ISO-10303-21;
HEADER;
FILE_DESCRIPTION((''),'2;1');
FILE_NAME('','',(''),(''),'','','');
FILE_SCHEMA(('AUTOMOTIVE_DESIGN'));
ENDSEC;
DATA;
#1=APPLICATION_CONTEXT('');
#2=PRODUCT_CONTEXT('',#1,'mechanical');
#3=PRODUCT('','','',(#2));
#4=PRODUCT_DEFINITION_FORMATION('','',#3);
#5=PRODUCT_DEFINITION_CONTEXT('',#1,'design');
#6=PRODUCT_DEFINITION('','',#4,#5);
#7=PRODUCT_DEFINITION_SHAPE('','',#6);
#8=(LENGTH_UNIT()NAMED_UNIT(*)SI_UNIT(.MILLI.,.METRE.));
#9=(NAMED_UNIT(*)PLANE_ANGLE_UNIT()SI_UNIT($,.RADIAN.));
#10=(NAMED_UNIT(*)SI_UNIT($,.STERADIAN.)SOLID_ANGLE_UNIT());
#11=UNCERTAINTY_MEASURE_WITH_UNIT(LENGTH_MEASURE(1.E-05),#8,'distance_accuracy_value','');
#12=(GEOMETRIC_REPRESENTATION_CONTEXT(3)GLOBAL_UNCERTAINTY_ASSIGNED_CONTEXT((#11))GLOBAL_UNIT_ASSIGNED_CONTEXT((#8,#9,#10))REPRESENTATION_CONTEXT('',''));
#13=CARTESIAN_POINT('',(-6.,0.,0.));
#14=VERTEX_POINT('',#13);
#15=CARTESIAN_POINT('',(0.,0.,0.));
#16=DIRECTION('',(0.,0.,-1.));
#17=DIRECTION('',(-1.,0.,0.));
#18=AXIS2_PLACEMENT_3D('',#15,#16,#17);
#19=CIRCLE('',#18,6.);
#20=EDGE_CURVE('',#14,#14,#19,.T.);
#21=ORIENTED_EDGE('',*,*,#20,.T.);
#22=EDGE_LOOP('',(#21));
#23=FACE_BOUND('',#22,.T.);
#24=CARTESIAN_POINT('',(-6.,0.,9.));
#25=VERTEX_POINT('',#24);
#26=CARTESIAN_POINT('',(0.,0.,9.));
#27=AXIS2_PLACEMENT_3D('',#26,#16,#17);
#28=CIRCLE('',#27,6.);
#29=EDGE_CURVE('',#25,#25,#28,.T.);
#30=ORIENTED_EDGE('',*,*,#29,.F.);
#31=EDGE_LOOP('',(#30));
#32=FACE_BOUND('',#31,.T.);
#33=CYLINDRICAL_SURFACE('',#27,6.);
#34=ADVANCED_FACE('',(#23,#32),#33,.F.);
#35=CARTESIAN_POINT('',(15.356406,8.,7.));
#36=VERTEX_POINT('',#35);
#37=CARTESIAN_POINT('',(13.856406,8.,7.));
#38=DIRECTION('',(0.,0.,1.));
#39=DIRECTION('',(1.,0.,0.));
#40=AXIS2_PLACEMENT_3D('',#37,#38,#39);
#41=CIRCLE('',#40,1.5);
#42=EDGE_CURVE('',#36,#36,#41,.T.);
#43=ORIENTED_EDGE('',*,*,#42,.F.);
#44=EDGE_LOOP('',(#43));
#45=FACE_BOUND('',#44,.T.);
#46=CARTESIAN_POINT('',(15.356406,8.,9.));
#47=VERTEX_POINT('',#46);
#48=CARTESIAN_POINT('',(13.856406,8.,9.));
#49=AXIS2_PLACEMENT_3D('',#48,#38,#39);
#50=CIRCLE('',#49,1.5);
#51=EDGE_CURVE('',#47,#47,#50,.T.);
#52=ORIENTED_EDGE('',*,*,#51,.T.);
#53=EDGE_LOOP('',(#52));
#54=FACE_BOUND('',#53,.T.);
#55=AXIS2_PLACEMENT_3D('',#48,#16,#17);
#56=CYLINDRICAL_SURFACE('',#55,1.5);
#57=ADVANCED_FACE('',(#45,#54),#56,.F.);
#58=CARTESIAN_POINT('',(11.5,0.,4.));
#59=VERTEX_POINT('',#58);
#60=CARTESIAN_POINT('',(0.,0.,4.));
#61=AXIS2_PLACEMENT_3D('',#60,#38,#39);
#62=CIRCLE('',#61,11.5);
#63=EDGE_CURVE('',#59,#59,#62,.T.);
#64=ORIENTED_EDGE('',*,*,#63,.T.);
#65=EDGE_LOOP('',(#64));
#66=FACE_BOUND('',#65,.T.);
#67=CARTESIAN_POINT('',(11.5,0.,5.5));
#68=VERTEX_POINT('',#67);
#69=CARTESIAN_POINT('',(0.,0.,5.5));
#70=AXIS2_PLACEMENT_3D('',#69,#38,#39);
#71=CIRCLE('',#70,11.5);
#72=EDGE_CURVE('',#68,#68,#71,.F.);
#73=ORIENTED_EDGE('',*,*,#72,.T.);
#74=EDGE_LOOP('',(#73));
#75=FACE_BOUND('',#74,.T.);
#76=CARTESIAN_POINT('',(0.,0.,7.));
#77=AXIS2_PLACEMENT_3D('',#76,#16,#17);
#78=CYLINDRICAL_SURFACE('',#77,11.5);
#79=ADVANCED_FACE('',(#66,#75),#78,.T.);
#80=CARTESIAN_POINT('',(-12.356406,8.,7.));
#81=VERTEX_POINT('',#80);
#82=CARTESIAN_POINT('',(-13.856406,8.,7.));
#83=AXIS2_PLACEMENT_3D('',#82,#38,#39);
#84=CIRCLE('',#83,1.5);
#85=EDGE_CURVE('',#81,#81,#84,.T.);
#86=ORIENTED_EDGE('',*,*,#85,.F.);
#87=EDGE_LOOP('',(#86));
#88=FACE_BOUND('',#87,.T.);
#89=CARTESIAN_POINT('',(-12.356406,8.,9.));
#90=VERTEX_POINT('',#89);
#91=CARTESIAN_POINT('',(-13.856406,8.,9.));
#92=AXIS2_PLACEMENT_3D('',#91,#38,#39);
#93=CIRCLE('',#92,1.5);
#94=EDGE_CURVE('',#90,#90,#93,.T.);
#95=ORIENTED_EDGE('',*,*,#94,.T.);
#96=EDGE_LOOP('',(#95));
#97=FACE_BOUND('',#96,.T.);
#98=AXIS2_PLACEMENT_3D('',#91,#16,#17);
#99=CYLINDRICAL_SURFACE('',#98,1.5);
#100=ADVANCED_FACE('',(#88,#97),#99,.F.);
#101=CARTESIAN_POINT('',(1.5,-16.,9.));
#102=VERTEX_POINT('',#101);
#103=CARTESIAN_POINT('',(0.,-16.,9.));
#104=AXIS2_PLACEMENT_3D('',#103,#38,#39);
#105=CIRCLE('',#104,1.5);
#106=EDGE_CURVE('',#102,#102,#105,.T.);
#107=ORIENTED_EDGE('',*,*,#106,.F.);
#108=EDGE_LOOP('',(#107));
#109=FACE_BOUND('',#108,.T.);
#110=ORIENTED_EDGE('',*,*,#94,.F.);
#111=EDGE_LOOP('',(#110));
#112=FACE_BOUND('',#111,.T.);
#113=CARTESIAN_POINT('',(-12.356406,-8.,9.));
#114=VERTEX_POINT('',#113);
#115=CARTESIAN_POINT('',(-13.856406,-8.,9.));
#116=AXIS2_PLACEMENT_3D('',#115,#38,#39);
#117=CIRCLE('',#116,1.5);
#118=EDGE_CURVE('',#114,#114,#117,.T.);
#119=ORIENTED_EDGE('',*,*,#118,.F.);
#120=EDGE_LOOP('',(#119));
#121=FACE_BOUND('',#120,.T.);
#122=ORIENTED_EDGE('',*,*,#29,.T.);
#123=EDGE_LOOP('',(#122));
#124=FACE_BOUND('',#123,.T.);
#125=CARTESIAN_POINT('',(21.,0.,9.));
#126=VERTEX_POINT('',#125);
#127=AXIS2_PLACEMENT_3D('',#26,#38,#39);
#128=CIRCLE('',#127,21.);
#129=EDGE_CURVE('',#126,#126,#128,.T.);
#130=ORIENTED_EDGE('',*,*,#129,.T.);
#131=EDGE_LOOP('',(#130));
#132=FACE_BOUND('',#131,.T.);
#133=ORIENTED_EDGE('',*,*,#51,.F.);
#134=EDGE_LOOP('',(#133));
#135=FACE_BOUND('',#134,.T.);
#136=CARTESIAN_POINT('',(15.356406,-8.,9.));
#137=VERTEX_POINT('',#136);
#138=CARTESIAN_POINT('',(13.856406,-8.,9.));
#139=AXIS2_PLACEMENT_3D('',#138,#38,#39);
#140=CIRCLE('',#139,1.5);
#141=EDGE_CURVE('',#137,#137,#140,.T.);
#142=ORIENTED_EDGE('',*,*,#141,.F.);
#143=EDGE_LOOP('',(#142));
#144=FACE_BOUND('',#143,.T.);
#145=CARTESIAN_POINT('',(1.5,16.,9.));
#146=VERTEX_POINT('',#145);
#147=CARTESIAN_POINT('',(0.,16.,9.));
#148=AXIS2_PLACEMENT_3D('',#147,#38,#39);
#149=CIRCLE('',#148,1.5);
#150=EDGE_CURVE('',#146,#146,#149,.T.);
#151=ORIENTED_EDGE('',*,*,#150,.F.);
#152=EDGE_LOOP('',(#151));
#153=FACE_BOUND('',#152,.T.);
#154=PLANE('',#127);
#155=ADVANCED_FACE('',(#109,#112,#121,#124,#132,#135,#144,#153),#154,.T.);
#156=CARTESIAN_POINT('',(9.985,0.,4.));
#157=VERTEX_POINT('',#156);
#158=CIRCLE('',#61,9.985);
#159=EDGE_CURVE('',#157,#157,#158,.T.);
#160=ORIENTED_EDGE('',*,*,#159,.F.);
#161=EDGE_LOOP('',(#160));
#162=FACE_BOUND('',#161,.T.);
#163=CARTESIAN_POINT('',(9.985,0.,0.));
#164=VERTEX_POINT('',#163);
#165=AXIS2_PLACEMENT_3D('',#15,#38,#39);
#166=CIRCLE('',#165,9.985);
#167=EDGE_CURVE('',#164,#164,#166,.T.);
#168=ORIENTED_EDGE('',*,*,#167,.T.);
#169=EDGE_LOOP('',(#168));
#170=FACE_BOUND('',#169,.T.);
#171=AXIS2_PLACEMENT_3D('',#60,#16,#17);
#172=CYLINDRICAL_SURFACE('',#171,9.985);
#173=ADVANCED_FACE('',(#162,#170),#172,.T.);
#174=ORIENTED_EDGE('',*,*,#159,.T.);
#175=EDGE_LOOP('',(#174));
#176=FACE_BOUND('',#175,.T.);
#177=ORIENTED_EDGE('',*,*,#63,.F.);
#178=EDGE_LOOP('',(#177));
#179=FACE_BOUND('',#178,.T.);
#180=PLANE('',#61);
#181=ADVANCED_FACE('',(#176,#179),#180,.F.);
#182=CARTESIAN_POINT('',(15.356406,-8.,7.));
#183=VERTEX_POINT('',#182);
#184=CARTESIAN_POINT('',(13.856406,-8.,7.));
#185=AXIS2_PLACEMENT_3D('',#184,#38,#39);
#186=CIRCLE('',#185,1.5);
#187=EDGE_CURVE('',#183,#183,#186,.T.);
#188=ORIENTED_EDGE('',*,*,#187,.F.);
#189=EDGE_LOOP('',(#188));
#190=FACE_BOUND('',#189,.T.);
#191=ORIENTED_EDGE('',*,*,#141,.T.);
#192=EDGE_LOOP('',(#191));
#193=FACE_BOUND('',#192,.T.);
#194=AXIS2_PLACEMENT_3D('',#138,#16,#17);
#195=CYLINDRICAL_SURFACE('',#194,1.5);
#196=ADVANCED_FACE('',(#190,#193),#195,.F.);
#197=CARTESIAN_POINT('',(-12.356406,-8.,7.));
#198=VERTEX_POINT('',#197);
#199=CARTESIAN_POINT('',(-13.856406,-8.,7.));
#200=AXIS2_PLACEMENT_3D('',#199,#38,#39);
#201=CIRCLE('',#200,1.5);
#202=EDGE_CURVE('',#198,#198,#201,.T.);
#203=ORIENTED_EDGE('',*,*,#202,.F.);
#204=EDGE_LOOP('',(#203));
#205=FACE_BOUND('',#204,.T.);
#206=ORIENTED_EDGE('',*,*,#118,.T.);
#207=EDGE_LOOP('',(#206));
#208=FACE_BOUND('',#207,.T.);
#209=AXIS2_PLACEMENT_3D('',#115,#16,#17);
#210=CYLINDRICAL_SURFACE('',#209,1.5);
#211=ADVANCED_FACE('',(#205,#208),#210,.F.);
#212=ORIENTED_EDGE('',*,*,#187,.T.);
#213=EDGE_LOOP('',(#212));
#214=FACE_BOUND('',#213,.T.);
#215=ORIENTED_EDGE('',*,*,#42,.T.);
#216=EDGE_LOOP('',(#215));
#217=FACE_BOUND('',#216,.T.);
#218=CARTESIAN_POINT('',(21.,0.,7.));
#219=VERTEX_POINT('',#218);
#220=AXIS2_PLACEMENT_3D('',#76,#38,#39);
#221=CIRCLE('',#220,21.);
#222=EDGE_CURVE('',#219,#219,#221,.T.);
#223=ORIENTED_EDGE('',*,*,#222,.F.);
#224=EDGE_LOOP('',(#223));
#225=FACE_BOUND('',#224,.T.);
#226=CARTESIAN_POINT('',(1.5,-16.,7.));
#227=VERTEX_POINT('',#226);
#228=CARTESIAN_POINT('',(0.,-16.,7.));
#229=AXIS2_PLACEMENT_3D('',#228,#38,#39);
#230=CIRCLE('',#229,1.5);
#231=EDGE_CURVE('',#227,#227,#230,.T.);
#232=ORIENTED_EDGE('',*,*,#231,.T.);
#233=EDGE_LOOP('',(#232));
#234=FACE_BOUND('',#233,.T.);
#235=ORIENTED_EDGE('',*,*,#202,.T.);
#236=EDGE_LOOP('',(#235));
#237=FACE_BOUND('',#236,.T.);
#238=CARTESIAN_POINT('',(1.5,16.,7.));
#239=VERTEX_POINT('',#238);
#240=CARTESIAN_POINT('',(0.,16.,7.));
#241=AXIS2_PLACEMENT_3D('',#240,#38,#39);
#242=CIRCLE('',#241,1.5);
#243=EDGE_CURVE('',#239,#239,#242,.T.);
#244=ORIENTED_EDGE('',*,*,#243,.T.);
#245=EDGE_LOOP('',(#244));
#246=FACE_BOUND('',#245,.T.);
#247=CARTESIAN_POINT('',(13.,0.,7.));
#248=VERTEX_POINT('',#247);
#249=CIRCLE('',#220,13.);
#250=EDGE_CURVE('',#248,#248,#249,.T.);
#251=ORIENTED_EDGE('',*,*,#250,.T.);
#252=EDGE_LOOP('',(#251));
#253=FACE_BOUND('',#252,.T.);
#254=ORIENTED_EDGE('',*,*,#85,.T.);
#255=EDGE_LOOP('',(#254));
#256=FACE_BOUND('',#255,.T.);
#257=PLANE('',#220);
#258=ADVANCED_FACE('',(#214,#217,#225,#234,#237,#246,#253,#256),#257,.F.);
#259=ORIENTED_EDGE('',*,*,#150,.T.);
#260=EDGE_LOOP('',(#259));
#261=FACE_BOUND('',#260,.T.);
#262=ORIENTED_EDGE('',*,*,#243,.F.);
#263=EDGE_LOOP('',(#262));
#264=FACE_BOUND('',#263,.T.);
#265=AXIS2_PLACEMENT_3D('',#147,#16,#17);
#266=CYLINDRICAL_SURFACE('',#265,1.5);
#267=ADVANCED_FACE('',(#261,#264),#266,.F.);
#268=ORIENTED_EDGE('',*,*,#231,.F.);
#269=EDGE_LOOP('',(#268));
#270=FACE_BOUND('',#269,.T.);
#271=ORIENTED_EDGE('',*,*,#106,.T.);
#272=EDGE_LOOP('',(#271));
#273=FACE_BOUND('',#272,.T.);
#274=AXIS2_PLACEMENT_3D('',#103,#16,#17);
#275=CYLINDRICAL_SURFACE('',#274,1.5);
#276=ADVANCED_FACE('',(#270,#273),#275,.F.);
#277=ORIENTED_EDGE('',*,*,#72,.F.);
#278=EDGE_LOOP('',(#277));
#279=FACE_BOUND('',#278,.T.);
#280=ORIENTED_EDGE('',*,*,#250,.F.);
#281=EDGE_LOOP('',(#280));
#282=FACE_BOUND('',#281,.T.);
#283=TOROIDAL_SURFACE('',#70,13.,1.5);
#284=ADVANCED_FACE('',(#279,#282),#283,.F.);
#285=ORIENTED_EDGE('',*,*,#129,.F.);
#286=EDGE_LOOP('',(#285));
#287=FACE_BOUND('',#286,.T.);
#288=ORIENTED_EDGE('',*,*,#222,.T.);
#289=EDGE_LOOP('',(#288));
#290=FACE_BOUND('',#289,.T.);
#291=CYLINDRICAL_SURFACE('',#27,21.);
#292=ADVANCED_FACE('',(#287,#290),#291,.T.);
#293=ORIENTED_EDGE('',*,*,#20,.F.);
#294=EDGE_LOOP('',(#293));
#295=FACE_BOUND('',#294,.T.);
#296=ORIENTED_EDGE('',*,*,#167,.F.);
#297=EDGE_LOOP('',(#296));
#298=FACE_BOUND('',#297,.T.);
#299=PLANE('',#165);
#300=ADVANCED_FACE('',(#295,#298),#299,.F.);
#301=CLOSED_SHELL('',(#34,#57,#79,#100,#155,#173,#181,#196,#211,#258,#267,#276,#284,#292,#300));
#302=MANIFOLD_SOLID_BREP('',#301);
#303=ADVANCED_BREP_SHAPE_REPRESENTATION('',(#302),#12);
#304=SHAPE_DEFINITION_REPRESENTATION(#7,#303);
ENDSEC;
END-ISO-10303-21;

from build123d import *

# Parameters (mm, degrees)
SKETCH_1_R          = 9.985
EXTRUDE_1_DEPTH     = 4
SKETCH_2_R          = 11.5
EXTRUDE_2_DEPTH     = 3
SKETCH_3_R          = 21
SKETCH_3_R_2        = 1.5
EXTRUDE_3_DEPTH     = 2
SKETCH_4_R          = 6
CUT_EXTRUDE_1_DEPTH = 32.032241298
FILLET_1_R          = 1.5


with BuildPart() as part:
    # 草图1 → 凸台-拉伸1 (new body)
    with BuildSketch(Plane.XY):
        Circle(SKETCH_1_R)
    extrude(amount=EXTRUDE_1_DEPTH)

    # 草图2 → 凸台-拉伸2 (add)
    with BuildSketch(Plane.XY.offset(4)):
        Circle(SKETCH_2_R)
    extrude(amount=EXTRUDE_2_DEPTH)

    # 草图3 → 凸台-拉伸3 (add)
    with BuildSketch(Plane.XY.offset(7)):
        Circle(SKETCH_3_R)
        with Locations((0, 16)):
            Circle(SKETCH_3_R_2, mode=Mode.SUBTRACT)
        with Locations((13.856406461, 8)):
            Circle(SKETCH_3_R_2, mode=Mode.SUBTRACT)
        with Locations((13.856406461, -8)):
            Circle(SKETCH_3_R_2, mode=Mode.SUBTRACT)
        with Locations((0, -16)):
            Circle(SKETCH_3_R_2, mode=Mode.SUBTRACT)
        with Locations((-13.856406461, -8)):
            Circle(SKETCH_3_R_2, mode=Mode.SUBTRACT)
        with Locations((-13.856406461, 8)):
            Circle(SKETCH_3_R_2, mode=Mode.SUBTRACT)
    extrude(amount=EXTRUDE_3_DEPTH)

    # 草图4 → 切除-拉伸1 (cut, through all)
    with BuildSketch(Plane(origin=(0, 0, 0), x_dir=(-1, 0, 0), z_dir=(0, 0, -1))):
        Circle(SKETCH_4_R)
    extrude(amount=-CUT_EXTRUDE_1_DEPTH, mode=Mode.SUBTRACT)

    # 圆角1
    fillet_1_edges = [part.edges().sort_by_distance(p)[0] for p in [
        (-11.5, 0, 7),
    ]]
    fillet(fillet_1_edges, radius=FILLET_1_R)


solid = part.part
